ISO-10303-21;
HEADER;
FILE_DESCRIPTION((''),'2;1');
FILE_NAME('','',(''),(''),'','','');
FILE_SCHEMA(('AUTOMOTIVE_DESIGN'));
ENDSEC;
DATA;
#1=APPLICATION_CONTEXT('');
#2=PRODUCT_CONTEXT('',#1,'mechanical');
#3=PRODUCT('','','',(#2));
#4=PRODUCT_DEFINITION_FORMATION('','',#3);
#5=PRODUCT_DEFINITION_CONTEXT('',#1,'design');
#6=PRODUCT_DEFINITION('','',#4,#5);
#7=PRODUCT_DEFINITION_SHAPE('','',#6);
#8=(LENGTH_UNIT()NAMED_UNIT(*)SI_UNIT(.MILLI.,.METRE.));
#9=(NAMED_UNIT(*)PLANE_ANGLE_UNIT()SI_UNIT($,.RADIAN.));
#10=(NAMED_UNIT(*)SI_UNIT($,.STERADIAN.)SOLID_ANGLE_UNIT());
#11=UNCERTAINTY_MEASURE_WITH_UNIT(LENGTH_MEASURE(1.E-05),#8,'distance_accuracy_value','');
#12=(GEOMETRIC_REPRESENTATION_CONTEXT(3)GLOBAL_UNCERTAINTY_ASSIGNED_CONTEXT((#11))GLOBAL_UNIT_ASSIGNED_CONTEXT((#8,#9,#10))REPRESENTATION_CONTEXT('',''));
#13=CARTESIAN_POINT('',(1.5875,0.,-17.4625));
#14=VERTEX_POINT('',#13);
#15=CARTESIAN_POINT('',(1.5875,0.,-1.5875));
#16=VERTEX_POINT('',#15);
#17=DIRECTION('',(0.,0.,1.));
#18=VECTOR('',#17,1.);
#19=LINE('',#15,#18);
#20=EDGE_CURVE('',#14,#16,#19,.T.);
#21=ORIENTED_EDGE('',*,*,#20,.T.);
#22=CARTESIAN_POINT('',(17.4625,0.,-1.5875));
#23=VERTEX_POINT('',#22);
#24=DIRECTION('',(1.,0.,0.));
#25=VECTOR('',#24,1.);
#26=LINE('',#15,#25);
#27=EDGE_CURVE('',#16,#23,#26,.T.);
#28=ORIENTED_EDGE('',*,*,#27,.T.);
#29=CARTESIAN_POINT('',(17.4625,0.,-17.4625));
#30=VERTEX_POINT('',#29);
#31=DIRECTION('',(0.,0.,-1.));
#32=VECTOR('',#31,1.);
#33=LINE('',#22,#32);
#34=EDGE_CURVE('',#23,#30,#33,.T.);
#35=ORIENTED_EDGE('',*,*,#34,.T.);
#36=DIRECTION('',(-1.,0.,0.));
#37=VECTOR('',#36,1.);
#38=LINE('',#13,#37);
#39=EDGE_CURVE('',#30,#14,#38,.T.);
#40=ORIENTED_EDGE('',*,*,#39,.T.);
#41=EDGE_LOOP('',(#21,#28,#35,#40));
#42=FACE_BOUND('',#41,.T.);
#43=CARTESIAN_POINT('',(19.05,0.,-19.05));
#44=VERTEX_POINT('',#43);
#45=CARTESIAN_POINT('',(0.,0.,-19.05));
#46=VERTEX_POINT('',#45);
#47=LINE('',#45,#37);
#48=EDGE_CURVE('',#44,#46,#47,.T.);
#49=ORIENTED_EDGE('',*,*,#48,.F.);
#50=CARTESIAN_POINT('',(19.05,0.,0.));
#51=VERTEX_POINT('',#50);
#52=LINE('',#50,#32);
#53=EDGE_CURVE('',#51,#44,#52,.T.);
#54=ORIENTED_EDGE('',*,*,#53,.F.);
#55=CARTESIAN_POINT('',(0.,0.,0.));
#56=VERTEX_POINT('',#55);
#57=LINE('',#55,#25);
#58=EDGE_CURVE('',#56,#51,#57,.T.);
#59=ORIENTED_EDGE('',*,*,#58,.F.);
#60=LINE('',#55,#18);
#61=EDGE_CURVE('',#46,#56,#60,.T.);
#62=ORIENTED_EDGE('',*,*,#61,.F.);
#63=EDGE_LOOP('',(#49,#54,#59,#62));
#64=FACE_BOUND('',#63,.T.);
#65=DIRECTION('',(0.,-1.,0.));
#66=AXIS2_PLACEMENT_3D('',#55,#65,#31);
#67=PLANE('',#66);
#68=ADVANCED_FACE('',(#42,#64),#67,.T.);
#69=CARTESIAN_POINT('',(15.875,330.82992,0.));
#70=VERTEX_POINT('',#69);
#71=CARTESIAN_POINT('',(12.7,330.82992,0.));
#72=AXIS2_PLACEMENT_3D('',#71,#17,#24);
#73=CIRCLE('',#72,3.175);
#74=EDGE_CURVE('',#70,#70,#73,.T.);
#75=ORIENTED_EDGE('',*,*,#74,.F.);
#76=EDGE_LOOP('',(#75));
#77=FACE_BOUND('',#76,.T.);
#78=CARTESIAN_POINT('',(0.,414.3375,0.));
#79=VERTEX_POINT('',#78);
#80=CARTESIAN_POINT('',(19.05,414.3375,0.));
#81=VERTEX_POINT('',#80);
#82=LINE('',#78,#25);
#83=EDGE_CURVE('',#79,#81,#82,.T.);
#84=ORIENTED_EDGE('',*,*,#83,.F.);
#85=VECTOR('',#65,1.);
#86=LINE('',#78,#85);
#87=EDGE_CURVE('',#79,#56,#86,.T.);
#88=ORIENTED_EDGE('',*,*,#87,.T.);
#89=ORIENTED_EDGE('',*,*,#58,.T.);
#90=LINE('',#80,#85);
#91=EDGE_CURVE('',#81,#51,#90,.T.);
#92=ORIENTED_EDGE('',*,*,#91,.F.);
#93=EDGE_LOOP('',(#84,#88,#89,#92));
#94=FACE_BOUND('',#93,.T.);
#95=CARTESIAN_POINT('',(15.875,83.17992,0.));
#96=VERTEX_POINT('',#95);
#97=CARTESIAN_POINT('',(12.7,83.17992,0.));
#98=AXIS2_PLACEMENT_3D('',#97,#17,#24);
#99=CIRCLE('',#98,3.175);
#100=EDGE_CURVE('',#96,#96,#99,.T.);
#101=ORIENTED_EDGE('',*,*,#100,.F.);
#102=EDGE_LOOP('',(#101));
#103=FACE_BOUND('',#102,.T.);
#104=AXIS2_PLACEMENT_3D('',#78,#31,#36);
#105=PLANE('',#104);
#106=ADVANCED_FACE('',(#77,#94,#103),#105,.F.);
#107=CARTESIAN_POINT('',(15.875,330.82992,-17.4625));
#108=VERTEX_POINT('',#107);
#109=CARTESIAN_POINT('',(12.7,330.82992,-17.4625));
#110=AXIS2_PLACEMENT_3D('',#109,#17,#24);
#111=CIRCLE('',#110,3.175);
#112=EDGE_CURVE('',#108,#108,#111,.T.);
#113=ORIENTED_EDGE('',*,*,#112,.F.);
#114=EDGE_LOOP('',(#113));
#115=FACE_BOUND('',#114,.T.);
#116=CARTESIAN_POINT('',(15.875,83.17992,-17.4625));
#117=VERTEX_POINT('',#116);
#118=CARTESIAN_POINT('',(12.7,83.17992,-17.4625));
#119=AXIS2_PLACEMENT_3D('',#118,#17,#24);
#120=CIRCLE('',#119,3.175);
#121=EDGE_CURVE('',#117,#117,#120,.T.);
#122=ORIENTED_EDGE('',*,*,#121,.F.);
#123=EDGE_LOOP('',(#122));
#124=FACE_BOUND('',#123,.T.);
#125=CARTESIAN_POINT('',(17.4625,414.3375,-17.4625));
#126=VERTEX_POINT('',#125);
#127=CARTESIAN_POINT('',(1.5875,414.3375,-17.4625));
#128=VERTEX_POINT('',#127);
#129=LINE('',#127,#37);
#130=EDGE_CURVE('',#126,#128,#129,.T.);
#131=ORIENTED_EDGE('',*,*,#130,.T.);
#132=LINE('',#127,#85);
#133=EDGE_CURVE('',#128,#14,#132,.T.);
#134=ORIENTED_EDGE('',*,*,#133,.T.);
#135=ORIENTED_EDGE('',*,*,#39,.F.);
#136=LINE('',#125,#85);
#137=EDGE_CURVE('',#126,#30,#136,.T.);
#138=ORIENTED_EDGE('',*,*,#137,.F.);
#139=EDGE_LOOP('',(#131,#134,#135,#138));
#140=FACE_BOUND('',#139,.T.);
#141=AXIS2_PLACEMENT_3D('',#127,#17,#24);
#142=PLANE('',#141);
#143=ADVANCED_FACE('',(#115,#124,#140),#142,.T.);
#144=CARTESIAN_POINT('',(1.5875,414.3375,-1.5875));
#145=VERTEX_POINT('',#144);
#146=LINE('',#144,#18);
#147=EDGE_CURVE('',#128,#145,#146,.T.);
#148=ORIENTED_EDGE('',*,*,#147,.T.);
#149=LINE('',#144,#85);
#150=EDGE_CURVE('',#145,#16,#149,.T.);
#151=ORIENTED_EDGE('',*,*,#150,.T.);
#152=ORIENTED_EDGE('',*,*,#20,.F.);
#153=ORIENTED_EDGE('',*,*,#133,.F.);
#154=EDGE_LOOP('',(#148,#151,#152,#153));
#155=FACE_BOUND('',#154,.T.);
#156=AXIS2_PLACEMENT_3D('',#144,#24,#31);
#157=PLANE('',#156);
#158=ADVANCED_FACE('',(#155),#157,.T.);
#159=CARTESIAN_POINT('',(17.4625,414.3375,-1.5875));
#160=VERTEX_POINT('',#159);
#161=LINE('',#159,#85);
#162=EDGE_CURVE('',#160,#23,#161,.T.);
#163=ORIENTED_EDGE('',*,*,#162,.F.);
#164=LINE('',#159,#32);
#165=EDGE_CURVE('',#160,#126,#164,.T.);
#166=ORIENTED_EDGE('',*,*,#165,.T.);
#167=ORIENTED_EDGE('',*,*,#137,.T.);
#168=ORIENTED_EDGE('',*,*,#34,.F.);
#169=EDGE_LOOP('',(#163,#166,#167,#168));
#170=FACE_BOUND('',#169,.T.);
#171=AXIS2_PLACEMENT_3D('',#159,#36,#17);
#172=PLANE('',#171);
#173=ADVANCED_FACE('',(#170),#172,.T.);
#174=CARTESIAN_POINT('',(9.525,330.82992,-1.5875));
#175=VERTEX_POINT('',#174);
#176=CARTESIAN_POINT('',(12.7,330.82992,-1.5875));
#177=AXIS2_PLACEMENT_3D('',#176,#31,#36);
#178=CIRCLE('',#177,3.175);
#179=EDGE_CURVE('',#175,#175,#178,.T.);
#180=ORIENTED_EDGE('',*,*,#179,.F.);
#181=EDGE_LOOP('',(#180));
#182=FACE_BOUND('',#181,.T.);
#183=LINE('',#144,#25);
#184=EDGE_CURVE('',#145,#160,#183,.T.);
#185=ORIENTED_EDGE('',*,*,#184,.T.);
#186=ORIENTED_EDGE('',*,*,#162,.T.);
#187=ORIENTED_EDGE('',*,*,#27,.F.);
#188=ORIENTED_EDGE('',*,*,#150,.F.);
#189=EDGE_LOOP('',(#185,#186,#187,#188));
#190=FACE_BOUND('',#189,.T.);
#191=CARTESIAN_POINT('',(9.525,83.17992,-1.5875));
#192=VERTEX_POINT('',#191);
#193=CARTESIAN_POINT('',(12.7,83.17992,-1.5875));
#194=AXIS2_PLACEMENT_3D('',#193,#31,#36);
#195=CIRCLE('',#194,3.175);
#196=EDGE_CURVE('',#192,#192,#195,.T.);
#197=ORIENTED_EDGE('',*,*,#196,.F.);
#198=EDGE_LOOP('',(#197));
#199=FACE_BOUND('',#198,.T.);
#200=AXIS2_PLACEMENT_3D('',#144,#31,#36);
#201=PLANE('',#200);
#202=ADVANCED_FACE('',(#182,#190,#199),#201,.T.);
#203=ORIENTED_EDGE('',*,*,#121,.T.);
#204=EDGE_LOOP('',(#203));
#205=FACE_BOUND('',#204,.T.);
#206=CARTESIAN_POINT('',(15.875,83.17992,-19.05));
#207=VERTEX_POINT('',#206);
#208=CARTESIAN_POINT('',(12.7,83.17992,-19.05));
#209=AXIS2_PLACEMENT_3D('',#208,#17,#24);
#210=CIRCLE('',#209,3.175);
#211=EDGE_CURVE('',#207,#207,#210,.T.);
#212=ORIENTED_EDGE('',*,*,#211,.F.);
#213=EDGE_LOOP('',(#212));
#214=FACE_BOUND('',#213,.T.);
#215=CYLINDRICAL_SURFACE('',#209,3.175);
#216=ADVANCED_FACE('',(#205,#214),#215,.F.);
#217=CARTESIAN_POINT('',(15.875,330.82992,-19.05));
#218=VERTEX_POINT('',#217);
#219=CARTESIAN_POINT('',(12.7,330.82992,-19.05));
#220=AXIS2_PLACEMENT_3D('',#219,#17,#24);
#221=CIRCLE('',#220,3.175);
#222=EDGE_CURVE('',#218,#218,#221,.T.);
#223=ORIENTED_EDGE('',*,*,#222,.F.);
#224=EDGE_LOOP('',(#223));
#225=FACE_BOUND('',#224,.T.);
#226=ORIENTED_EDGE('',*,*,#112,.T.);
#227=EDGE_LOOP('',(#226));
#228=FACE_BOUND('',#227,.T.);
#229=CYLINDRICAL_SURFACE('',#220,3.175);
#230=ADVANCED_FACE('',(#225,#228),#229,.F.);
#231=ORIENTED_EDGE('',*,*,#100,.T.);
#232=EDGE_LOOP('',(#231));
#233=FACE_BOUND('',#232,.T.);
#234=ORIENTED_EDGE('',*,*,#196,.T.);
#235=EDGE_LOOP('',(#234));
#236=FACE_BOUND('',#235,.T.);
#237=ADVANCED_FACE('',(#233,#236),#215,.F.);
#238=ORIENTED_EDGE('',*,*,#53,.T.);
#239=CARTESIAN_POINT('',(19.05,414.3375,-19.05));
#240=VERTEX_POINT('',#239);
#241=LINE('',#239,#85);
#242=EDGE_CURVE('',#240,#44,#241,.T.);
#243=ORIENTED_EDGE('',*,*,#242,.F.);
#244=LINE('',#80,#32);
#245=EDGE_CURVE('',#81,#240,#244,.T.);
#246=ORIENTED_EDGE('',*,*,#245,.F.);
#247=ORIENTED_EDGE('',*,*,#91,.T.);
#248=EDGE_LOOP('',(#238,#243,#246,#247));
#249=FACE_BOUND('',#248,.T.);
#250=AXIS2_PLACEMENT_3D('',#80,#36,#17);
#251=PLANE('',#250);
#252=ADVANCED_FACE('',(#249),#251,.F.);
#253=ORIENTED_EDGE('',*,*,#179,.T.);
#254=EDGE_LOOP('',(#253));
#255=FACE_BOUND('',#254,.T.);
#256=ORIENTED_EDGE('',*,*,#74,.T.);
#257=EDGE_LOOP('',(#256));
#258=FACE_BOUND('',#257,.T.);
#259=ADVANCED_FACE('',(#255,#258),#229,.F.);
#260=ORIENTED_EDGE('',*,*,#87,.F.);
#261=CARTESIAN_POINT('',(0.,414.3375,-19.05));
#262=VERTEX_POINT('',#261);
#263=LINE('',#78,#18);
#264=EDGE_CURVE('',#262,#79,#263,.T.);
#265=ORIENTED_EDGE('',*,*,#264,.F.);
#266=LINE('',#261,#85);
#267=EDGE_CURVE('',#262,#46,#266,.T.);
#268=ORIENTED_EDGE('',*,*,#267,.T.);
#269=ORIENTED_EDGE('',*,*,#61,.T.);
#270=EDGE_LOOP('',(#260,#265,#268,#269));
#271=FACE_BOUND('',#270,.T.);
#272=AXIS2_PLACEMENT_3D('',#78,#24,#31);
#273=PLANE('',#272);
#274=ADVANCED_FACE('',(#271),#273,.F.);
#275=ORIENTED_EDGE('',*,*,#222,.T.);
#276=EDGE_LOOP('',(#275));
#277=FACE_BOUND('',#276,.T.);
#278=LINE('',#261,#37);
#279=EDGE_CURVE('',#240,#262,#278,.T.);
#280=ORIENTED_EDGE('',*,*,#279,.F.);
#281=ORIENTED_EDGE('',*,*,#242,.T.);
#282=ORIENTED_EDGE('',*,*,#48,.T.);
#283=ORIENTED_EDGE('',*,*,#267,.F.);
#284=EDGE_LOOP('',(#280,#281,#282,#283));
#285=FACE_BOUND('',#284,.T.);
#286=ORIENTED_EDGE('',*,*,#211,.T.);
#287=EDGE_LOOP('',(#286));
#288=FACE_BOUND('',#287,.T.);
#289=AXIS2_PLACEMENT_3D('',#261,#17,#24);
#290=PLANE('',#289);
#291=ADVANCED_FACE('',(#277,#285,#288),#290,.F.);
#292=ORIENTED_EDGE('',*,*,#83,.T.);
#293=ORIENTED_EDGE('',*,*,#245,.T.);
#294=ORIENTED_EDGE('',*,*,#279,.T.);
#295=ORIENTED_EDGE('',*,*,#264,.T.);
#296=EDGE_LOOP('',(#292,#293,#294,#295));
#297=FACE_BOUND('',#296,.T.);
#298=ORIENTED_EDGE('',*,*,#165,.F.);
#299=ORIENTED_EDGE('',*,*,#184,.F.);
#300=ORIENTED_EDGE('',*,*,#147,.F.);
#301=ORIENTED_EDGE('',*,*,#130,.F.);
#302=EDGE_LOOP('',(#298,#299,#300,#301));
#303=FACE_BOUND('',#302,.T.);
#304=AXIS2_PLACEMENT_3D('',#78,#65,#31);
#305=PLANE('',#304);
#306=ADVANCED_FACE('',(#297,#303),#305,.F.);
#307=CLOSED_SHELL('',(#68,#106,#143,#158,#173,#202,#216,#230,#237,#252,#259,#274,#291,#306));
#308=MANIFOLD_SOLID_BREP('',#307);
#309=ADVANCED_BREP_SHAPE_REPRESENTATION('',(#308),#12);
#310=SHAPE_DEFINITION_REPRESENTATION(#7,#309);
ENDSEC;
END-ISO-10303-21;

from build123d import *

# Parameters (mm, degrees)
SKETCH2_W           = 19.05
SKETCH2_H           = 19.05
SKETCH2_W_2         = 15.875
SKETCH2_H_2         = 15.875
BOSS_EXTRUDE1_DEPTH = 414.3375
SKETCH3_R           = 3.175
CUT_EXTRUDE1_DEPTH  = 20.05


with BuildPart() as part:
    # Sketch2 → Boss-Extrude1 (new body)
    with BuildSketch(Plane(origin=(0, 0, 0), x_dir=(1, 0, 0), z_dir=(0, 1, 0))):
        with Locations((9.525, 9.525)):
            Rectangle(SKETCH2_W, SKETCH2_H)
        with Locations((9.525, 9.525)):
            Rectangle(SKETCH2_W_2, SKETCH2_H_2, mode=Mode.SUBTRACT)
    extrude(amount=BOSS_EXTRUDE1_DEPTH)

    # Sketch3 → Cut-Extrude1 (cut, through all)
    with BuildSketch(Plane.XY):
        with Locations((12.7, 83.17992)):
            Circle(SKETCH3_R)
        with Locations((12.7, 330.82992)):
            Circle(SKETCH3_R)
    extrude(amount=-CUT_EXTRUDE1_DEPTH, mode=Mode.SUBTRACT)


solid = part.part
